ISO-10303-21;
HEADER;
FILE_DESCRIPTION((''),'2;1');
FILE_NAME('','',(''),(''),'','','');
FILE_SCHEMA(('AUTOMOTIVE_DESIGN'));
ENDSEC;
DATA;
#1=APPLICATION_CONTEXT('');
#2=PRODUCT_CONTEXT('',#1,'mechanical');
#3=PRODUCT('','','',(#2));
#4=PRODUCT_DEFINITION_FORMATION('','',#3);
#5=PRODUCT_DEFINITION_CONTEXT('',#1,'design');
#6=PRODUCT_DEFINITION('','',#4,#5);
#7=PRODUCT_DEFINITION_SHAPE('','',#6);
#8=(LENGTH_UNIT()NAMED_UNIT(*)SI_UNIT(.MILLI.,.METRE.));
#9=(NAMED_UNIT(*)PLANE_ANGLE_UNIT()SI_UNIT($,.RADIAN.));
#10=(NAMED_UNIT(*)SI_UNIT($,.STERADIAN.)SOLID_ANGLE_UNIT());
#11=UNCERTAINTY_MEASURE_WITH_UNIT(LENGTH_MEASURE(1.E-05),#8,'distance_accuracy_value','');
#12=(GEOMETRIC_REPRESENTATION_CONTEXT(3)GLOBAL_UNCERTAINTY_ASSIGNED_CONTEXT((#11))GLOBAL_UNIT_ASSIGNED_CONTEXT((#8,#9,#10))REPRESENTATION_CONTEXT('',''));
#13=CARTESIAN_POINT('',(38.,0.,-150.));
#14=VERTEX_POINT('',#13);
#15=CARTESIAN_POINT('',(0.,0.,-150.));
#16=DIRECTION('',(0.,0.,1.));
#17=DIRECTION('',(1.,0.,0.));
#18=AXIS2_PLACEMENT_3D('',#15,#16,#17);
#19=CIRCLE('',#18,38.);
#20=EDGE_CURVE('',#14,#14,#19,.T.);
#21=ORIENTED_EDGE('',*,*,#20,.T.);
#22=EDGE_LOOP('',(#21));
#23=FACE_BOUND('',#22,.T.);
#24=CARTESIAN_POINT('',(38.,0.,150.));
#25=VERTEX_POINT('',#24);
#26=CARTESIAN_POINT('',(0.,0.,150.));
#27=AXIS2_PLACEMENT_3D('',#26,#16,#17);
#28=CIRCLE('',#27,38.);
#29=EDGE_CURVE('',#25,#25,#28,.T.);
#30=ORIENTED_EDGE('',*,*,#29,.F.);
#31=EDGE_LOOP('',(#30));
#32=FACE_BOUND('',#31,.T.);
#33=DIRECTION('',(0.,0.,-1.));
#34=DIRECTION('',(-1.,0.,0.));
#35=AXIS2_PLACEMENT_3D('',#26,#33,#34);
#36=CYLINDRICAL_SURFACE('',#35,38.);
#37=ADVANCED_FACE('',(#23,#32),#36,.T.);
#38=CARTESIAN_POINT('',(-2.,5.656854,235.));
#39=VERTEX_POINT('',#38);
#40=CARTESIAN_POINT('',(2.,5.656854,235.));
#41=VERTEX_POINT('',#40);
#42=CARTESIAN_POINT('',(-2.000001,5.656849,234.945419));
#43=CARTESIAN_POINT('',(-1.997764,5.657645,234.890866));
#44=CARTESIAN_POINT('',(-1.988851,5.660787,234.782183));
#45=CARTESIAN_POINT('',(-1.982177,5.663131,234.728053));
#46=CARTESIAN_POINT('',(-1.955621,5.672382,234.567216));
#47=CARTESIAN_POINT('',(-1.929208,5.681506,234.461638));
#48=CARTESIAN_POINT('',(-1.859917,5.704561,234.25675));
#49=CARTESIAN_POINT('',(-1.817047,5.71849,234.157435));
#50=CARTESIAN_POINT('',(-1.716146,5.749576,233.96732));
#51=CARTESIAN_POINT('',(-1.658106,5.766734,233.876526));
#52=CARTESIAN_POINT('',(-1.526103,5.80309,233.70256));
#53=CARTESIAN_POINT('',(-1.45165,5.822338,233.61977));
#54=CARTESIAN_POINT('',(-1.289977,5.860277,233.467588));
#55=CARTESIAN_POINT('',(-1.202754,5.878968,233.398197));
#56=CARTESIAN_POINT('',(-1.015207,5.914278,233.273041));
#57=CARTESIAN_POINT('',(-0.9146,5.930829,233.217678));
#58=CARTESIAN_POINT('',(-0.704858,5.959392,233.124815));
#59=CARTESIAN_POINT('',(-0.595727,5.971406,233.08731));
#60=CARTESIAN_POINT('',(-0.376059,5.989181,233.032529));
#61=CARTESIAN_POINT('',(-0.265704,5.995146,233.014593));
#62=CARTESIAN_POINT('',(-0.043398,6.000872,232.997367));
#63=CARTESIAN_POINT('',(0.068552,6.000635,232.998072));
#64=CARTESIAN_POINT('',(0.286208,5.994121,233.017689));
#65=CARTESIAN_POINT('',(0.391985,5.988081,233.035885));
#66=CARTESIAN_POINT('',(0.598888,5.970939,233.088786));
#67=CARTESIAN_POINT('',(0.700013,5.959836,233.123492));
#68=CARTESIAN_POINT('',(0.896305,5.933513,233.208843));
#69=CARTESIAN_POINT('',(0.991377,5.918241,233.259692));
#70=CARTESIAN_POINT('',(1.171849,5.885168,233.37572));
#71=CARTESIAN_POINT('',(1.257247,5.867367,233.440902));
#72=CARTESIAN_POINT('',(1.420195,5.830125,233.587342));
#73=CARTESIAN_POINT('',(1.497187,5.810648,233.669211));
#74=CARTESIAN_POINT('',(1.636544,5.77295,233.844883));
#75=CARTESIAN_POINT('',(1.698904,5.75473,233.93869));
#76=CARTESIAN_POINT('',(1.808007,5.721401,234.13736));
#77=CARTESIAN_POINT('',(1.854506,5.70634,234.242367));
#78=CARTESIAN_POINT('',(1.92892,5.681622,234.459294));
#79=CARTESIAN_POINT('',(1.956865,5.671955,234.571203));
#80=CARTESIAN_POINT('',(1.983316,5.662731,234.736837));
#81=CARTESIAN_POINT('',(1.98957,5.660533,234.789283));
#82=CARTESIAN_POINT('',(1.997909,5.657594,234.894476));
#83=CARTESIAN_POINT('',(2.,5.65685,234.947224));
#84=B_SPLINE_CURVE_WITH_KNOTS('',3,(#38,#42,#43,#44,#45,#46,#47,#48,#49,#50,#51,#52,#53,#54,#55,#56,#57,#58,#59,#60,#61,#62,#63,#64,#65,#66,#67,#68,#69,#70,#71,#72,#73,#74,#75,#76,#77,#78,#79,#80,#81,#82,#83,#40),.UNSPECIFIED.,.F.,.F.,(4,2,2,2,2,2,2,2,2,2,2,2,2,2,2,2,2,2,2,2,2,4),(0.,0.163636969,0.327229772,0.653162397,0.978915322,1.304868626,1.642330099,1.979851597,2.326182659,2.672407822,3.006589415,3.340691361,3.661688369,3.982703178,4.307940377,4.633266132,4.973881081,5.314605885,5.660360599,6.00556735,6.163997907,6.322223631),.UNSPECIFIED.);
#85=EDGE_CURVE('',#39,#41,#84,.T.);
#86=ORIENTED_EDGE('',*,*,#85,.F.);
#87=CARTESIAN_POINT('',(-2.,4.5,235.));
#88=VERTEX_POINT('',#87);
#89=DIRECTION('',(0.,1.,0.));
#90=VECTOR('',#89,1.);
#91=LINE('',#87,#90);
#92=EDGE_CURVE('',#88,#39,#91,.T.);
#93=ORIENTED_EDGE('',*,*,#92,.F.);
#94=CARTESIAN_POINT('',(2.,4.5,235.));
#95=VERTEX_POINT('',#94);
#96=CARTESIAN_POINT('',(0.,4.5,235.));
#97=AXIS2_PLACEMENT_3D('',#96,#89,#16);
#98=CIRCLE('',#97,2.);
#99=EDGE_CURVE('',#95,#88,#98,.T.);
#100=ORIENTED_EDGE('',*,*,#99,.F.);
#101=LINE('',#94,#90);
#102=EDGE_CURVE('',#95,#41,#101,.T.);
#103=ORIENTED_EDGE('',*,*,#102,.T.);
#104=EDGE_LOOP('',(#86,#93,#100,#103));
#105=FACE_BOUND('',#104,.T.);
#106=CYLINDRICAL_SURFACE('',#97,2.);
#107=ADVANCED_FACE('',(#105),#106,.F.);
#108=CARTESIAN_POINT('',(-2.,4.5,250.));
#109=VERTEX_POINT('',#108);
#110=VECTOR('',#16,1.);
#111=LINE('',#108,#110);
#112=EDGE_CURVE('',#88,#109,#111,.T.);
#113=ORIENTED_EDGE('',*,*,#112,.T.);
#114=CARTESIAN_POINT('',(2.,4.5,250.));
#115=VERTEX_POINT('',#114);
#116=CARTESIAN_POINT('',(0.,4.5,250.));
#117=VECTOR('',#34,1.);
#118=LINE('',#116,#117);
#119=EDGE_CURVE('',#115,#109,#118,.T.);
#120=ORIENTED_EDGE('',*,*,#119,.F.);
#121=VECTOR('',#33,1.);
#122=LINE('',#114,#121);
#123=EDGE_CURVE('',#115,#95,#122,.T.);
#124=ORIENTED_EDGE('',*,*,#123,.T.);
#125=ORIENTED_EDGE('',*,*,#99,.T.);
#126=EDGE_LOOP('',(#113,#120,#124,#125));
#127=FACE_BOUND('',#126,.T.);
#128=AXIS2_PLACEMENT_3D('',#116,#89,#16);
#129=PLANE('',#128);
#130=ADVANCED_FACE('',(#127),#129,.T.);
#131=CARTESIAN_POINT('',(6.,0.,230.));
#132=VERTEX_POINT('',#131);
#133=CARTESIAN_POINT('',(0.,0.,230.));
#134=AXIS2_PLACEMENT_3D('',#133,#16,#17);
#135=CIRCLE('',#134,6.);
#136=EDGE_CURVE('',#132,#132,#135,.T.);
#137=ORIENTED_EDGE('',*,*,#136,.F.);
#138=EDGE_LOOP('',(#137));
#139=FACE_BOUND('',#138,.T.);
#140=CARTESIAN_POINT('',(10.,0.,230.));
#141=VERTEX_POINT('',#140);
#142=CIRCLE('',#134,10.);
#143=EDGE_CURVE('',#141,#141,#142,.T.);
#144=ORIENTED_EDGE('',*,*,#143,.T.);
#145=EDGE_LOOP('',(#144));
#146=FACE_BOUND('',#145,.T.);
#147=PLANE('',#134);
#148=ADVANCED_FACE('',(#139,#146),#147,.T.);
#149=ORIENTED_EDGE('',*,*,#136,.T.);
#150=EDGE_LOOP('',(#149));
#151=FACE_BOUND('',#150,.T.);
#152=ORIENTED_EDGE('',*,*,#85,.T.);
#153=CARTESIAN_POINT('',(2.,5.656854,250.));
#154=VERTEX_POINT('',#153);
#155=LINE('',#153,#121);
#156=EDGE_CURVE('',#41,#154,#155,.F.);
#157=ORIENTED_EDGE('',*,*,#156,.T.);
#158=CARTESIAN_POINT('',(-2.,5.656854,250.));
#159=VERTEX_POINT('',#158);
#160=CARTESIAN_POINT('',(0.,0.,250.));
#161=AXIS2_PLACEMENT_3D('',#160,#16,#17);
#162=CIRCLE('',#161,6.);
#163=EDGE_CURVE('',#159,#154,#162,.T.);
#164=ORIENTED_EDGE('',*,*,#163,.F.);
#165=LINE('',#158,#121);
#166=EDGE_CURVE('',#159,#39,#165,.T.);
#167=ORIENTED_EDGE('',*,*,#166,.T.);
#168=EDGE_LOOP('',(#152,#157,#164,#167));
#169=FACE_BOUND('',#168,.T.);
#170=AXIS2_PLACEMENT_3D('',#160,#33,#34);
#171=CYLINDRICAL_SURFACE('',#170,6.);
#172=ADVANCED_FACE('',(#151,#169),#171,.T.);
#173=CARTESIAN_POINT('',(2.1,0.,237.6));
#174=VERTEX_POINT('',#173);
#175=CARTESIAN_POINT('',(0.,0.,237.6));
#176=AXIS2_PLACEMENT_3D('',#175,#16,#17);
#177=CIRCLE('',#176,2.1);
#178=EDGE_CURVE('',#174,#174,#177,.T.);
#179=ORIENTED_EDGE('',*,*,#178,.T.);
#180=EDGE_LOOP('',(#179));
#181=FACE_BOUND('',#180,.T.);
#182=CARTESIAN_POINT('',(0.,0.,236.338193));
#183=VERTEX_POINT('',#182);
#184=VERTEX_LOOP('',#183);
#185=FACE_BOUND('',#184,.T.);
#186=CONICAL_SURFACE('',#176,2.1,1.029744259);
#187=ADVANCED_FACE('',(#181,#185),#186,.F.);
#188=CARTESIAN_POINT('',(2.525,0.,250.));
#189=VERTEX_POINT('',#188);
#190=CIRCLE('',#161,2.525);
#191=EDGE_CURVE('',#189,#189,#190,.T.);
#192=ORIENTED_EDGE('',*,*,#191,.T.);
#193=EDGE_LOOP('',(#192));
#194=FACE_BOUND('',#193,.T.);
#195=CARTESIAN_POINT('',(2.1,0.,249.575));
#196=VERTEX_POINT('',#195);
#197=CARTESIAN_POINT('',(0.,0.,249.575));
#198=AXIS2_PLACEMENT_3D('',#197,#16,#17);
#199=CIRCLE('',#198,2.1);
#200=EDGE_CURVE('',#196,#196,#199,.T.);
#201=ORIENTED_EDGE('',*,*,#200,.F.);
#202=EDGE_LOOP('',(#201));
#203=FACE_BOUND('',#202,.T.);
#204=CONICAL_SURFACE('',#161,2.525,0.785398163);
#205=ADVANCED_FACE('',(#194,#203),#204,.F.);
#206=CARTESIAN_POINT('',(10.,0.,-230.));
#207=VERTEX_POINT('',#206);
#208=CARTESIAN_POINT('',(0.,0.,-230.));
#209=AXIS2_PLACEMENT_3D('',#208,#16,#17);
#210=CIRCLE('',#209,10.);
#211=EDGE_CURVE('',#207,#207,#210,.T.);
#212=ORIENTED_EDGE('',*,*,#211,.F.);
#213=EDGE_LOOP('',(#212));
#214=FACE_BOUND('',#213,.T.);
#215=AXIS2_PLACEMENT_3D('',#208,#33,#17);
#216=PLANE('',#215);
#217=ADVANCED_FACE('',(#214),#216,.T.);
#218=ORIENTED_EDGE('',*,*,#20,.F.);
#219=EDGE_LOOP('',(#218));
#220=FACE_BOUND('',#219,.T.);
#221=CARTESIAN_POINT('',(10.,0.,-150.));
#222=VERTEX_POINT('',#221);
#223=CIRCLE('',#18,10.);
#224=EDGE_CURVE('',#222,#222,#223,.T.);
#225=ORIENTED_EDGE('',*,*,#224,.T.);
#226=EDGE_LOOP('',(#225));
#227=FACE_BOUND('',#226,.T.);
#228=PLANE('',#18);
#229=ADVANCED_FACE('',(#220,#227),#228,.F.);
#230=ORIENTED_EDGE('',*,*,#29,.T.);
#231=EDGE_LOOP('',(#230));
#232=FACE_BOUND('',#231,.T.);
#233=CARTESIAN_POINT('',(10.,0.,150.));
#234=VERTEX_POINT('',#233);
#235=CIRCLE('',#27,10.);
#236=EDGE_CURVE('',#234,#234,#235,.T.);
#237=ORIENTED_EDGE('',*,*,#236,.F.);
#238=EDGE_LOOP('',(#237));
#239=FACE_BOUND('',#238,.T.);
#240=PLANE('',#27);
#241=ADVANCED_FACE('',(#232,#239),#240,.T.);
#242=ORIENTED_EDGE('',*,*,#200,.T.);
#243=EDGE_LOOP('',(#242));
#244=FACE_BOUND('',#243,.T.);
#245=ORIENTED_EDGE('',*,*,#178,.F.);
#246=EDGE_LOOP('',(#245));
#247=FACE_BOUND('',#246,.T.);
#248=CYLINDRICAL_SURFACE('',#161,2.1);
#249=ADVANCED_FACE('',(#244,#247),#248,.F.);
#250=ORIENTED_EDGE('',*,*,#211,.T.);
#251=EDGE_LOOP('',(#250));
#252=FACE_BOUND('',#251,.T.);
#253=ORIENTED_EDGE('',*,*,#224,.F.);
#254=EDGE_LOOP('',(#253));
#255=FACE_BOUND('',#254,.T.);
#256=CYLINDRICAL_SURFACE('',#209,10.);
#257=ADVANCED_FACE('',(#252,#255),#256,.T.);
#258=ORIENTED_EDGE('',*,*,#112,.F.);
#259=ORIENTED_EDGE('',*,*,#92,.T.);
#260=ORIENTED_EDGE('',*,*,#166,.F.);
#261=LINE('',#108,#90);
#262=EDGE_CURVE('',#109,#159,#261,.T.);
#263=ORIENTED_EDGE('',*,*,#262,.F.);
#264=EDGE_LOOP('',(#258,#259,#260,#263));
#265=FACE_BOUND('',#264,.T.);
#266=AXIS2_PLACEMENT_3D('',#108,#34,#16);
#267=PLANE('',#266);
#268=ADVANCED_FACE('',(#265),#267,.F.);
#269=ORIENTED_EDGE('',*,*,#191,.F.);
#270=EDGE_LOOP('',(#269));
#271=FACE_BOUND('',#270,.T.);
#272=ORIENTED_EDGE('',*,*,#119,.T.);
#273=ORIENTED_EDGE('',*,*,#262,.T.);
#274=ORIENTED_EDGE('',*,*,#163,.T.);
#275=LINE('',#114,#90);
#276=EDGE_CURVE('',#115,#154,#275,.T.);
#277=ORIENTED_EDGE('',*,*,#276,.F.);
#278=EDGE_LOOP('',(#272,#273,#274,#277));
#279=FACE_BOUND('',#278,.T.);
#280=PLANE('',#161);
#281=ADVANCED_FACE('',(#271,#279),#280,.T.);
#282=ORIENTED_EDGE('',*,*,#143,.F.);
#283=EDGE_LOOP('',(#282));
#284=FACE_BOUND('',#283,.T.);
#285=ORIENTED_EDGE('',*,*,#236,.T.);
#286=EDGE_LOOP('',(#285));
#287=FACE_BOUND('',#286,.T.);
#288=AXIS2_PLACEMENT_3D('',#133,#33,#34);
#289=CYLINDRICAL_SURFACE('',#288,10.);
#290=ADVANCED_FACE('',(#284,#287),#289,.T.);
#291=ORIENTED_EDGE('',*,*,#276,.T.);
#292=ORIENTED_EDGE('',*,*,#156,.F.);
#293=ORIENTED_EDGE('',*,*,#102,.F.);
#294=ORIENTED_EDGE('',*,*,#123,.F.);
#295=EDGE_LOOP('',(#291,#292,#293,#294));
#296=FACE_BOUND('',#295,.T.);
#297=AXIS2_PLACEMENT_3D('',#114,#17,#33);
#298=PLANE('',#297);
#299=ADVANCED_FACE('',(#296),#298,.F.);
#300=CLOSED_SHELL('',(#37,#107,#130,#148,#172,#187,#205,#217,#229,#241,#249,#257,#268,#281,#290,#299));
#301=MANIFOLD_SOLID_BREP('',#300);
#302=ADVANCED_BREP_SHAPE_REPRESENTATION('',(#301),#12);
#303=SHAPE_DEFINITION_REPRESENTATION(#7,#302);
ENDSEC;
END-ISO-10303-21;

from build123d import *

# Parameters (mm, degrees)
SKETCH_1_R                   = 38
EXTRUDE_1_DEPTH              = 150
SKETCH_2_R                   = 10
EXTRUDE_2_DEPTH              = 80
SKETCH_3_R                   = 6
EXTRUDE_3_DEPTH              = 20
CUT_EXTRUDE_START            = 7.5
CUT_EXTRUDE_1_DEPTH          = 3
HOLE_WIZARD_M5_1_D           = 4.2
HOLE_WIZARD_M5_1_DEPTH       = 12.4
HOLE_WIZARD_M5_1_CSINK_D     = 5.05
HOLE_WIZARD_M5_1_CSINK_ANGLE = 90
HOLE_WIZARD_M5_1_TIP         = 1.2618073


with BuildPart() as part:
    # 草图1 → 凸台-拉伸1 (new, symmetric)
    with BuildSketch(Plane.XY):
        Circle(SKETCH_1_R)
    extrude(amount=EXTRUDE_1_DEPTH, both=True)

    # 草图2 → 凸台-拉伸2 (add)
    with BuildSketch(Plane.XY.offset(150)):
        Circle(SKETCH_2_R)
    extrude_2 = extrude(amount=EXTRUDE_2_DEPTH)

    # 镜向1: 凸台-拉伸2 across plane
    add(extrude_2.mirror(Plane.XY))

    # 草图3 → 凸台-拉伸3 (add)
    with BuildSketch(Plane.XY.offset(230)):
        Circle(SKETCH_3_R)
    extrude(amount=EXTRUDE_3_DEPTH)

    # 草图4 → 切除-拉伸1 (cut)
    with BuildSketch(Plane(origin=(0, 0, 0), x_dir=(1, 0, 0), z_dir=(0, 1, 0)).offset(CUT_EXTRUDE_START)):
        with BuildLine():
            Line((-2, -250), (-2, -235))
            ThreePointArc((-2, -235), (0, -233), (2, -235))
            Line((2, -235), (2, -250))
            ThreePointArc((2, -250), (0, -252), (-2, -250))
        make_face()
    extrude(amount=-CUT_EXTRUDE_1_DEPTH, mode=Mode.SUBTRACT)

    # M5 螺纹孔1
    with Locations(Plane.XY.offset(250)):
        with Locations((0, 0)):
            CounterSinkHole(HOLE_WIZARD_M5_1_D / 2, HOLE_WIZARD_M5_1_CSINK_D / 2, depth=HOLE_WIZARD_M5_1_DEPTH, counter_sink_angle=HOLE_WIZARD_M5_1_CSINK_ANGLE)
            with Locations((0, 0, -(HOLE_WIZARD_M5_1_DEPTH + HOLE_WIZARD_M5_1_TIP / 2))):  # 118° drill point
                Cone(0, HOLE_WIZARD_M5_1_D / 2, HOLE_WIZARD_M5_1_TIP, mode=Mode.SUBTRACT)


solid = part.part
